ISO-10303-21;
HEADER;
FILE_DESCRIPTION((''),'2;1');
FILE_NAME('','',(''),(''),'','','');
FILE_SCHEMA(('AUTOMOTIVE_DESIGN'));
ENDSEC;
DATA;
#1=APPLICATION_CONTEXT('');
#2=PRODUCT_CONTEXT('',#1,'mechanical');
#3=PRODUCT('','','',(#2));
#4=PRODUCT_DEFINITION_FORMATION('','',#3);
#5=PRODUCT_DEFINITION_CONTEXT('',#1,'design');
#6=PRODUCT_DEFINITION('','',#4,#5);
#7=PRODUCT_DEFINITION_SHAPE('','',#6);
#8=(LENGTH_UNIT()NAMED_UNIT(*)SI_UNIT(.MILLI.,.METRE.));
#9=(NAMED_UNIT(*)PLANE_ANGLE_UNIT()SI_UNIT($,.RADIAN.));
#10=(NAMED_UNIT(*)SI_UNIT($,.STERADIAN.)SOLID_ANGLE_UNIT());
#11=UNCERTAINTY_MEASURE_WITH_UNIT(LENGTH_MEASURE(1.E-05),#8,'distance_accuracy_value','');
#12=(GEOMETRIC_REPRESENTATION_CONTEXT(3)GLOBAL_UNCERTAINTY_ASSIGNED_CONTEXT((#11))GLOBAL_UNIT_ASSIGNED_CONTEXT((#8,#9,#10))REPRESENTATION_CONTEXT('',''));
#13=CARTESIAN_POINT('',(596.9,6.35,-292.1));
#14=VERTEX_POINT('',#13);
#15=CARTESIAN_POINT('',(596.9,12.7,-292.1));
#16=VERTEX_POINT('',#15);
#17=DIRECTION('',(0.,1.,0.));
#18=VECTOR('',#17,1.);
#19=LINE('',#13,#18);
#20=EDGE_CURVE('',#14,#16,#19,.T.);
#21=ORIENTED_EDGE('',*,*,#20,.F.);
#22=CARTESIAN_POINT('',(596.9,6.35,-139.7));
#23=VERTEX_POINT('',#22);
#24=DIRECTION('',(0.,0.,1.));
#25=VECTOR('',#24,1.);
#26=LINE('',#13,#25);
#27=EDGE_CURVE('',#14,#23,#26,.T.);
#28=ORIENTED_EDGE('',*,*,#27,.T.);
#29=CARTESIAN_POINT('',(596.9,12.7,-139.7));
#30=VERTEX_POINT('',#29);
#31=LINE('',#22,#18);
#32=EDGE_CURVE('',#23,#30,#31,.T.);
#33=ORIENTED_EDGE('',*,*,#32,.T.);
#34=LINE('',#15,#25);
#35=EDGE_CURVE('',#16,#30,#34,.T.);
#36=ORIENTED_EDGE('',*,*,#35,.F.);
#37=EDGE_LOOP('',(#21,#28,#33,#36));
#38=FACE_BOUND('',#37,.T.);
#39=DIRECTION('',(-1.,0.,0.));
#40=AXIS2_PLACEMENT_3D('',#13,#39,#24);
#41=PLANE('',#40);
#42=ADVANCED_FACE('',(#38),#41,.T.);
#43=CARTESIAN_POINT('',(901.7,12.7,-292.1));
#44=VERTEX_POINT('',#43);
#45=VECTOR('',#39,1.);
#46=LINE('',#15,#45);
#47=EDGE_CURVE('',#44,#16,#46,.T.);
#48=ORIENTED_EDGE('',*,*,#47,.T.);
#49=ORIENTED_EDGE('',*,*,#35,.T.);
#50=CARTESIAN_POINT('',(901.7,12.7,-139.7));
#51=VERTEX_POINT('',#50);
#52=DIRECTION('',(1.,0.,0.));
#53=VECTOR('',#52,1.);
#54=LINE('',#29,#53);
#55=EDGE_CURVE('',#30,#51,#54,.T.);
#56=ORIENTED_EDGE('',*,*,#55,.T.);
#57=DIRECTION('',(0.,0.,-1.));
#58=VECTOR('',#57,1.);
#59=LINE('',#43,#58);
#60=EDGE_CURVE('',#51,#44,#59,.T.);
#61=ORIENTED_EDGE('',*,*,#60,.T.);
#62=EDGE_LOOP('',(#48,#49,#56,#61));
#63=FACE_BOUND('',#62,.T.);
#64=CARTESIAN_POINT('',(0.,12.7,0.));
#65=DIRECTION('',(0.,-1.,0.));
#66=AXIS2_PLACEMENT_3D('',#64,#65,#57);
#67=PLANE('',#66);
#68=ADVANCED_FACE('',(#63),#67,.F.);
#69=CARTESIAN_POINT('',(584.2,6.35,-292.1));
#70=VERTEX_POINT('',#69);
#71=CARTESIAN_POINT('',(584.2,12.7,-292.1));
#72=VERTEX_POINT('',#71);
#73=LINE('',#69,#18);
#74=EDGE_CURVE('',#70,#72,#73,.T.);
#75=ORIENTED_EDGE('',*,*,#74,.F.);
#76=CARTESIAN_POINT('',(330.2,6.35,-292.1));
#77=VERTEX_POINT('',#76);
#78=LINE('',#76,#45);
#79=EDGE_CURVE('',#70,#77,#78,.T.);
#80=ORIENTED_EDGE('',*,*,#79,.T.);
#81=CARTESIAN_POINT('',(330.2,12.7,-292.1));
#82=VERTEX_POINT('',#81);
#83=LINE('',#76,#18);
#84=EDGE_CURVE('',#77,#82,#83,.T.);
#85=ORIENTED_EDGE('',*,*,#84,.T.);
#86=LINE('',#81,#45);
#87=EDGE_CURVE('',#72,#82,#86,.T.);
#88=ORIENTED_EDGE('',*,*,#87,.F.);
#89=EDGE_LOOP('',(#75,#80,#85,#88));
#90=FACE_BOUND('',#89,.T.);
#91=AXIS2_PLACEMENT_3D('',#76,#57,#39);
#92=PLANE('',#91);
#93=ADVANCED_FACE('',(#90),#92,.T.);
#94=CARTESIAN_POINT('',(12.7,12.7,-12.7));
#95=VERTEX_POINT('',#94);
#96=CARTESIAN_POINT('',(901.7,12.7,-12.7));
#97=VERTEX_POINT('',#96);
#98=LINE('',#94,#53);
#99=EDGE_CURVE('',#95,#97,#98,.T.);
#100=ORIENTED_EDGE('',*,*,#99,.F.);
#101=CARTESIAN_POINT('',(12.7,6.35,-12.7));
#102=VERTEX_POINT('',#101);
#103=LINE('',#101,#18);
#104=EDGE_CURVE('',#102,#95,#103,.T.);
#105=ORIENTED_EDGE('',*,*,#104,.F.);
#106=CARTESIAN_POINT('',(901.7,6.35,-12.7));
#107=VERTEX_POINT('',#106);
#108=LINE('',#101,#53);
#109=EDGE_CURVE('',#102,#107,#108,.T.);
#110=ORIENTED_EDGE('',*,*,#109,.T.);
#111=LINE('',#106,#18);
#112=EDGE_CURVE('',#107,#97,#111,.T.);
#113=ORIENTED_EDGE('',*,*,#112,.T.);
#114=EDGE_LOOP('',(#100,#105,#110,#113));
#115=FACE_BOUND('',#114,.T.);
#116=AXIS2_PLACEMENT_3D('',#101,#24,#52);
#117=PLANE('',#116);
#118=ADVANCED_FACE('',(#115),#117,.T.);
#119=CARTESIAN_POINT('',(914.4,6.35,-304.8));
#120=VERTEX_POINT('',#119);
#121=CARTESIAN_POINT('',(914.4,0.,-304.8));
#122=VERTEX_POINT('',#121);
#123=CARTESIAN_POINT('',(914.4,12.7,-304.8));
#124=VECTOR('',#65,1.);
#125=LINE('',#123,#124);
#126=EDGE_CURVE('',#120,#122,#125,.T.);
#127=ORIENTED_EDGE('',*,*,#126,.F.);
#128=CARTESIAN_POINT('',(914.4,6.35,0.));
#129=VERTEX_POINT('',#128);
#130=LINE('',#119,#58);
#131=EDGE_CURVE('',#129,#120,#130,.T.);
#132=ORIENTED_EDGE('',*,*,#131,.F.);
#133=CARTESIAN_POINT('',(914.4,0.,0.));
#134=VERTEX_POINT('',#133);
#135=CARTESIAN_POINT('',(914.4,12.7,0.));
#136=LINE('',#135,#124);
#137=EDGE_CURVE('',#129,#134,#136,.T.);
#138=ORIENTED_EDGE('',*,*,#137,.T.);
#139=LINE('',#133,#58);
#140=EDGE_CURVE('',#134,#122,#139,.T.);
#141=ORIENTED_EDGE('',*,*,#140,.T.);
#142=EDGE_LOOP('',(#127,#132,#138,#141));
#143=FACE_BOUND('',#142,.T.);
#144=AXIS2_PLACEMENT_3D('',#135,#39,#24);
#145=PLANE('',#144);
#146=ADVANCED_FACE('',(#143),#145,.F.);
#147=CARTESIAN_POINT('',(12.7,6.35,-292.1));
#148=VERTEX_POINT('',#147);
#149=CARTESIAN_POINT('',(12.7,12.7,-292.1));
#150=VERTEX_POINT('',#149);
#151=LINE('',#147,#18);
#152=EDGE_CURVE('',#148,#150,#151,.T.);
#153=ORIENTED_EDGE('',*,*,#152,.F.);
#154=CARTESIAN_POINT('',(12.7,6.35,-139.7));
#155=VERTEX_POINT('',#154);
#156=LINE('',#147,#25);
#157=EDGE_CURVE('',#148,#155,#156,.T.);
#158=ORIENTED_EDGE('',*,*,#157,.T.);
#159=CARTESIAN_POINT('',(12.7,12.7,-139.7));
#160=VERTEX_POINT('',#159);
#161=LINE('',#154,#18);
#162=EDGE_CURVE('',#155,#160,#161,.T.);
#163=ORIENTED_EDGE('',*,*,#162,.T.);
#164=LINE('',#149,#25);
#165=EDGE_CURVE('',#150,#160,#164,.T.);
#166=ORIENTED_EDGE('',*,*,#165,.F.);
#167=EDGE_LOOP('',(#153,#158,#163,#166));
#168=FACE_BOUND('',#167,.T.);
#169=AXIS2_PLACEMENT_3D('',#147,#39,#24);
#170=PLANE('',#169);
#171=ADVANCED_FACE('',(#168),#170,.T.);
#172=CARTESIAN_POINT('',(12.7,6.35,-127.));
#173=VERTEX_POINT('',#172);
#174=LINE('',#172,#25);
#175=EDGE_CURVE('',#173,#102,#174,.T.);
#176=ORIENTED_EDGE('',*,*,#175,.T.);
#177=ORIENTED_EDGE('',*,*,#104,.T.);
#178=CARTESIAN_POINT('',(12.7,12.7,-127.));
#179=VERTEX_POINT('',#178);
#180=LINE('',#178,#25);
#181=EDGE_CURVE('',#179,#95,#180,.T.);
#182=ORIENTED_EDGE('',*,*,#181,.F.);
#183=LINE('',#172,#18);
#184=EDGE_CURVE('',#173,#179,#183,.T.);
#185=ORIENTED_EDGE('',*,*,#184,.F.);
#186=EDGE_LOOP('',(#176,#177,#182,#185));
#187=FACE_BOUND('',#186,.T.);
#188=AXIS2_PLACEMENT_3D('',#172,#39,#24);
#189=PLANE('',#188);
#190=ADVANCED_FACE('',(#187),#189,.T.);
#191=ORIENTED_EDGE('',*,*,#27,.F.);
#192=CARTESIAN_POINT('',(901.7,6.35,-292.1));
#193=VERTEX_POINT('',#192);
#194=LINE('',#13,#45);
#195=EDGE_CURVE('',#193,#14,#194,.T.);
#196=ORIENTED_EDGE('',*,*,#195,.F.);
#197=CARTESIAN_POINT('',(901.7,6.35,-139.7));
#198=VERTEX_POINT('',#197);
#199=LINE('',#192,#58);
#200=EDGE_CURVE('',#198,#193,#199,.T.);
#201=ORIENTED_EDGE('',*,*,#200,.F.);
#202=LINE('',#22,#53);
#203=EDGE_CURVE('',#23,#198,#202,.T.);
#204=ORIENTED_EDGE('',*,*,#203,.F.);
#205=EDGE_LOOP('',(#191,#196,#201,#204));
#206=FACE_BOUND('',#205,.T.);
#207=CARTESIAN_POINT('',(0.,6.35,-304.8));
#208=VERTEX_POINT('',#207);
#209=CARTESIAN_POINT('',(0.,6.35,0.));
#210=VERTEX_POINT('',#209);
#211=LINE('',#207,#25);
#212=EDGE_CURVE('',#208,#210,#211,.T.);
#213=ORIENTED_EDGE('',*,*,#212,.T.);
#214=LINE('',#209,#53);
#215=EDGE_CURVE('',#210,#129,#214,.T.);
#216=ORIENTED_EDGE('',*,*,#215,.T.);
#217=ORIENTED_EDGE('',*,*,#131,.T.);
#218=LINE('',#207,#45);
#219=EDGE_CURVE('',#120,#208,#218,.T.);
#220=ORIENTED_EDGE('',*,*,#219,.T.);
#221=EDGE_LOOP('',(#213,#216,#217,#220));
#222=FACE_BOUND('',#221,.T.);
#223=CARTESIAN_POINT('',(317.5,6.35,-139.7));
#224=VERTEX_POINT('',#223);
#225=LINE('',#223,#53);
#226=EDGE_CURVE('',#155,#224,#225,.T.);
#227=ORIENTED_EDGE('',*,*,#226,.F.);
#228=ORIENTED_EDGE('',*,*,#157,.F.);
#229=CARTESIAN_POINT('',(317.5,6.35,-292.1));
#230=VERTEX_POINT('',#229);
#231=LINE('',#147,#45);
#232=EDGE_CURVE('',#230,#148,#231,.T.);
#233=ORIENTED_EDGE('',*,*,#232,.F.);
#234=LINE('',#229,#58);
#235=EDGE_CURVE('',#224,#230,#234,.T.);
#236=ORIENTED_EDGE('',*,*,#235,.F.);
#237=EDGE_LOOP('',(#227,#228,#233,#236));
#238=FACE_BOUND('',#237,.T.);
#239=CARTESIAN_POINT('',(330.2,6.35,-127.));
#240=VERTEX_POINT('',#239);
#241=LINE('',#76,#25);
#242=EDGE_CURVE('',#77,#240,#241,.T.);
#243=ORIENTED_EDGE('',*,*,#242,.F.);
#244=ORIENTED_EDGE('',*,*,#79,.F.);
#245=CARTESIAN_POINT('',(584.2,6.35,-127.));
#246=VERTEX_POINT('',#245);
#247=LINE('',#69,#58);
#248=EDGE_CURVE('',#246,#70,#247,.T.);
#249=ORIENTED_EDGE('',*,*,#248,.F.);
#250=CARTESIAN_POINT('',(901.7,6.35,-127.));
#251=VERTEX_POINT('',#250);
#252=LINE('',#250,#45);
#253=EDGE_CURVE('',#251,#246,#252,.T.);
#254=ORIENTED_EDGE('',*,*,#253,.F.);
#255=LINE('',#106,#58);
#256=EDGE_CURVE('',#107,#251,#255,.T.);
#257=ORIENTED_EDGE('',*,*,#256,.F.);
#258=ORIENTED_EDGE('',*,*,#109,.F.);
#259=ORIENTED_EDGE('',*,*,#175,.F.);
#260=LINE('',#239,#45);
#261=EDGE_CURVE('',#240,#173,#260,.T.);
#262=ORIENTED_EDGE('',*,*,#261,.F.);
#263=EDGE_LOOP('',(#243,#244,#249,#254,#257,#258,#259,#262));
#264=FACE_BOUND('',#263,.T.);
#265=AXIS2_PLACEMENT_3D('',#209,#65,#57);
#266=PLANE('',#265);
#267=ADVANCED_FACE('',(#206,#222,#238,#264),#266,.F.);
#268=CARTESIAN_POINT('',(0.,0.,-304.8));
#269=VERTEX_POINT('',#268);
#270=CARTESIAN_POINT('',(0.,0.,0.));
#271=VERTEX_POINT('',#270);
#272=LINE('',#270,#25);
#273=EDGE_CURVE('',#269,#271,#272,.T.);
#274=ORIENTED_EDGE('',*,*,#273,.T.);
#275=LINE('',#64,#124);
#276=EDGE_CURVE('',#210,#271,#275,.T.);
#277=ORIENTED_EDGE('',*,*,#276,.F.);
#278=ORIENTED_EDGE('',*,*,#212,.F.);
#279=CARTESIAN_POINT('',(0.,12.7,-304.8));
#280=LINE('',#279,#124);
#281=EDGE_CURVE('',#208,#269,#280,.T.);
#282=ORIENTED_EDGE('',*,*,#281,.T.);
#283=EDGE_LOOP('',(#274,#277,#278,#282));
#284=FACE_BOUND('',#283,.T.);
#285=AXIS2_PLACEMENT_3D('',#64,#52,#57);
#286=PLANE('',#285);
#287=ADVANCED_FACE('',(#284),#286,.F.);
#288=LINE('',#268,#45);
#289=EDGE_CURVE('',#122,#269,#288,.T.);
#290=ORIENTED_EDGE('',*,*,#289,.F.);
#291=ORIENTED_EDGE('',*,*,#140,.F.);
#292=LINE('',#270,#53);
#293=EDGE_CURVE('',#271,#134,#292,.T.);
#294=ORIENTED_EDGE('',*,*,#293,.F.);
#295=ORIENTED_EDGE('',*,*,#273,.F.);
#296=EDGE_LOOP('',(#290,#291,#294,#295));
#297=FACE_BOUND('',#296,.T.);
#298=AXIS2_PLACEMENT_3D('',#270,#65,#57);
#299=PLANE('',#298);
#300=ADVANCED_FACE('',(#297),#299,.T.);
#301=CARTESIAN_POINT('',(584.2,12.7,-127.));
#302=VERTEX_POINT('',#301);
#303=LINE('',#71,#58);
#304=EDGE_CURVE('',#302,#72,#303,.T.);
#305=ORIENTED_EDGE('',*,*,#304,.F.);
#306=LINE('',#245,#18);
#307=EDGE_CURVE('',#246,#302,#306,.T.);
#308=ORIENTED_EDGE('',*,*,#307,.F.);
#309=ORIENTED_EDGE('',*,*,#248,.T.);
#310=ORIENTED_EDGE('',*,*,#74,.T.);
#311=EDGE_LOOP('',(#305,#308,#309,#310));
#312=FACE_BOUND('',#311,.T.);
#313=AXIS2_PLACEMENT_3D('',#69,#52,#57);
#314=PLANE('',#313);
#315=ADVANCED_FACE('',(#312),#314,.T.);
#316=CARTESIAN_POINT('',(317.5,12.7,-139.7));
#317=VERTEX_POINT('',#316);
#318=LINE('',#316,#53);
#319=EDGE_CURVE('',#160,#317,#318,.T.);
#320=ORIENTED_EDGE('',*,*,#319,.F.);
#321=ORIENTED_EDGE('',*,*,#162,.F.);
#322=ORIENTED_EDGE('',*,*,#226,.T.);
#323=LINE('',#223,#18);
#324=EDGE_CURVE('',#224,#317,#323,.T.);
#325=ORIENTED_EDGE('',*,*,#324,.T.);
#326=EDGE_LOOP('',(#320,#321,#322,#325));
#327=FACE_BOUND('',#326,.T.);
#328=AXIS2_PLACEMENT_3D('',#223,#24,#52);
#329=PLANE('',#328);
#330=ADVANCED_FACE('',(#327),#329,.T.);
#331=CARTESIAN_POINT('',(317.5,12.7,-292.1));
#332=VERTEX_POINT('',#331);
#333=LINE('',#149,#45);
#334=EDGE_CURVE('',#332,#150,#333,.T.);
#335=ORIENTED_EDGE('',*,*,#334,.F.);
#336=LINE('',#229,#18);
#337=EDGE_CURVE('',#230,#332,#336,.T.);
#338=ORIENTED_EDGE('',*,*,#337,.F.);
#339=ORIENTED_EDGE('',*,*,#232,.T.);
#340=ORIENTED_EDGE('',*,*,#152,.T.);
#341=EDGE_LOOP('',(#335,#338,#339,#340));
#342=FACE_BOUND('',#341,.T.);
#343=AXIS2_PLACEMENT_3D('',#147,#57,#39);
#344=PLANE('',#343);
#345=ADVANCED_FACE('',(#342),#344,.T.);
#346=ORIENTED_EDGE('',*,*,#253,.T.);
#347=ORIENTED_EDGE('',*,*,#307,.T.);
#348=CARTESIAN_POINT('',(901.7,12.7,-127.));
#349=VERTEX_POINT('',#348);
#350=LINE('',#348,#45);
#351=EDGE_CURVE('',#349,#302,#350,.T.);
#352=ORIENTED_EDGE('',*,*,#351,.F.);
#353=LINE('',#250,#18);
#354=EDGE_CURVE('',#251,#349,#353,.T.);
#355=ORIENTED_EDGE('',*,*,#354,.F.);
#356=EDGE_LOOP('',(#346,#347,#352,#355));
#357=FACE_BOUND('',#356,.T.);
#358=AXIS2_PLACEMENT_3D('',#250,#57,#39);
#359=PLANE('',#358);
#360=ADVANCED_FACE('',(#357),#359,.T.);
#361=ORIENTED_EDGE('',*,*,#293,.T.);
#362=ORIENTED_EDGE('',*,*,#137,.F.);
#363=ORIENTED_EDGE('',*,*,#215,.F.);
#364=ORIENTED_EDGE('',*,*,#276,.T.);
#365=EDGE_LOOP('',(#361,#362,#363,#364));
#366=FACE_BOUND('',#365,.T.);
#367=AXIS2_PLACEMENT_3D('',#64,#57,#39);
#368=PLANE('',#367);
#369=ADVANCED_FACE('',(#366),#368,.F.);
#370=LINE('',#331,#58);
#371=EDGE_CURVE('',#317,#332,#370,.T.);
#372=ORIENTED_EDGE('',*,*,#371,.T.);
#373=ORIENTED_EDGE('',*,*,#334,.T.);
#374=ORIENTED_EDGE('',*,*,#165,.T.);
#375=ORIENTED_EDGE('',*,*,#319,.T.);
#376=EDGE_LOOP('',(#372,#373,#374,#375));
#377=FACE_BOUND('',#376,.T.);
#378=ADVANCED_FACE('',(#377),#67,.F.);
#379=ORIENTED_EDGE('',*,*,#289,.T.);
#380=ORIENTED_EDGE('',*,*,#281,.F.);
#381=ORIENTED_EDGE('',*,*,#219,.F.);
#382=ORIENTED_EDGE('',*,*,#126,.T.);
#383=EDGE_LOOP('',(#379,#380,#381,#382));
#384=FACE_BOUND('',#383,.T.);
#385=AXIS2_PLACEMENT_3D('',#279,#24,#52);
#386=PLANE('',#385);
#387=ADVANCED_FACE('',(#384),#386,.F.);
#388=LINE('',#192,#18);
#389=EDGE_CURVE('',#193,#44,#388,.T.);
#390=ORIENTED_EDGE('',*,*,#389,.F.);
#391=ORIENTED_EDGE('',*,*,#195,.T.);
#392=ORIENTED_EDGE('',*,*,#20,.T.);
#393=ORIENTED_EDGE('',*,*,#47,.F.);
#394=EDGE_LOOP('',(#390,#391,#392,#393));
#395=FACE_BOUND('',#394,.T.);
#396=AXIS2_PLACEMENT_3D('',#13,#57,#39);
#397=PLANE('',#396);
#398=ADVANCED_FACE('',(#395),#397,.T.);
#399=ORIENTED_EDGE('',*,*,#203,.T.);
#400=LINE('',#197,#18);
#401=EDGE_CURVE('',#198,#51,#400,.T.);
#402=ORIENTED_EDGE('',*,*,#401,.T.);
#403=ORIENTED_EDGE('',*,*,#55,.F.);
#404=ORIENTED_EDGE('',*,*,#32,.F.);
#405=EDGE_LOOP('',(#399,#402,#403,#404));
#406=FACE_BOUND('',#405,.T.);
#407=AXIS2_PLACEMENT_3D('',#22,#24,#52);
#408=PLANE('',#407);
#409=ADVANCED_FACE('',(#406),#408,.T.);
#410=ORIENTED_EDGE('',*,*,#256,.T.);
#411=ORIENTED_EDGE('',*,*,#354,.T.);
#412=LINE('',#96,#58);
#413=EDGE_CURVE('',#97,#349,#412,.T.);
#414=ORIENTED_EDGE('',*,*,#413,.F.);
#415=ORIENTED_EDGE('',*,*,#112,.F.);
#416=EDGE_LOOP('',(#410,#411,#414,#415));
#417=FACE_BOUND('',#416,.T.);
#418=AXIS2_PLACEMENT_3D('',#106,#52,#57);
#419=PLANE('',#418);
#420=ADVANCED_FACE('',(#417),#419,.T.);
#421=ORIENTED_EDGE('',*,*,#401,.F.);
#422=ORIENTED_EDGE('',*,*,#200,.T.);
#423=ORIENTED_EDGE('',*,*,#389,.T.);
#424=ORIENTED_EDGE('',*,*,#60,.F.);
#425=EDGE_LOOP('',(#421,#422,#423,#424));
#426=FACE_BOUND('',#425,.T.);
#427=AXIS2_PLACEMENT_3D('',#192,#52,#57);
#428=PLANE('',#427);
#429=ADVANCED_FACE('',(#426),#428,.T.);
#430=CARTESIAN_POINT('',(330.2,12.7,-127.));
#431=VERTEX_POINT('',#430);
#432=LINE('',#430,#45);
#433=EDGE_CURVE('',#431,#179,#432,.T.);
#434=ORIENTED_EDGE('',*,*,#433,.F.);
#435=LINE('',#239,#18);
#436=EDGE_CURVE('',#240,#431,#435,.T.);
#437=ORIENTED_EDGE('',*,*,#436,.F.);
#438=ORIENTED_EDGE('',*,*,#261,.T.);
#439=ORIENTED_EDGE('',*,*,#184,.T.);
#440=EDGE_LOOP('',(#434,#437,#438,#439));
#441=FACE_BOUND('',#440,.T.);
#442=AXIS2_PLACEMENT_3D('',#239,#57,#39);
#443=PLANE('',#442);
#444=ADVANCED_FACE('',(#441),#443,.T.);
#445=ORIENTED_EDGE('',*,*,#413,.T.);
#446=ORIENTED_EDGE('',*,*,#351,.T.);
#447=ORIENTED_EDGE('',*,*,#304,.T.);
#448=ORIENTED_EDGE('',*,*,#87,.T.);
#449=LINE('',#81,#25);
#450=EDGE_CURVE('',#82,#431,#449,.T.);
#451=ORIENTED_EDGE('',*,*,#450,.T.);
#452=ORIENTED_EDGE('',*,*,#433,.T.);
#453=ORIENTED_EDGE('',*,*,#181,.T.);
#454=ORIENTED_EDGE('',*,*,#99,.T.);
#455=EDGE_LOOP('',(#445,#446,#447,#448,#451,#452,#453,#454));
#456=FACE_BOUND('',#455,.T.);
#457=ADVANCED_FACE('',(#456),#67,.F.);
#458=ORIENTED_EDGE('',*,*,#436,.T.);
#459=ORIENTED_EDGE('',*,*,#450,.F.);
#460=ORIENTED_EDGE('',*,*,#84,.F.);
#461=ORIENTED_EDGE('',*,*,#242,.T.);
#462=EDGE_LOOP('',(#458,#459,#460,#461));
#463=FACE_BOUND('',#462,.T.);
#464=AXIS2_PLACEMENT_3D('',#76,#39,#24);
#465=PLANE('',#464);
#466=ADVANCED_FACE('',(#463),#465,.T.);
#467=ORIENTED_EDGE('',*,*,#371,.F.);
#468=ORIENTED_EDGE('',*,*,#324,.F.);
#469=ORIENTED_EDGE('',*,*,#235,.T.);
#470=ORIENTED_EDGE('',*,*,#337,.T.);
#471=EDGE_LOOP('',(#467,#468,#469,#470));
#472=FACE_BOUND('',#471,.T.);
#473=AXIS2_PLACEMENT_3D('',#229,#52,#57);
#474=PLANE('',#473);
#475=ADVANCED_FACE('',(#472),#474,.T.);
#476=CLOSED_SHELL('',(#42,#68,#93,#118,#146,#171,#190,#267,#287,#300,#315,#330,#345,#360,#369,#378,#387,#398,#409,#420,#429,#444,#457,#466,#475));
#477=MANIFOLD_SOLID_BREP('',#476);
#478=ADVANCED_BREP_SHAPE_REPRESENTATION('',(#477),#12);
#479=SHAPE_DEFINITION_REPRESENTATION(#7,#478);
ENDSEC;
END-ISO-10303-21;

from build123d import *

# Parameters (mm, degrees)
SKETCH1_W           = 914.4
SKETCH1_H           = 304.8
BOSS_EXTRUDE1_DEPTH = 12.7
SKETCH2_W           = 914.4
SKETCH2_H           = 304.8
SKETCH2_W_2         = 304.8
SKETCH2_H_2         = 152.4
CUT_EXTRUDE1_DEPTH  = 6.35


with BuildPart() as part:
    # Sketch1 → Boss-Extrude1 (new body)
    with BuildSketch(Plane(origin=(0, 0, 0), x_dir=(1, 0, 0), z_dir=(0, 1, 0))):
        with Locations((457.2, 152.4)):
            Rectangle(SKETCH1_W, SKETCH1_H)
    extrude(amount=BOSS_EXTRUDE1_DEPTH)

    # Sketch2 → Cut-Extrude1 (cut)
    with BuildSketch(Plane(origin=(0, 12.7, 0), x_dir=(1, 0, 0), z_dir=(0, 1, 0))):
        with Locations((457.2, 152.4)):
            Rectangle(SKETCH2_W, SKETCH2_H)
        Polygon((330.2, 127), (12.7, 127), (12.7, 12.7), (901.7, 12.7), (901.7, 127), (584.2, 127), (584.2, 292.1), (330.2, 292.1), align=None, mode=Mode.SUBTRACT)
        with Locations((165.1, 215.9)):
            Rectangle(SKETCH2_W_2, SKETCH2_H_2, mode=Mode.SUBTRACT)
        with Locations((749.3, 215.9)):
            Rectangle(SKETCH2_W_2, SKETCH2_H_2, mode=Mode.SUBTRACT)
    extrude(amount=-CUT_EXTRUDE1_DEPTH, mode=Mode.SUBTRACT)


solid = part.part
